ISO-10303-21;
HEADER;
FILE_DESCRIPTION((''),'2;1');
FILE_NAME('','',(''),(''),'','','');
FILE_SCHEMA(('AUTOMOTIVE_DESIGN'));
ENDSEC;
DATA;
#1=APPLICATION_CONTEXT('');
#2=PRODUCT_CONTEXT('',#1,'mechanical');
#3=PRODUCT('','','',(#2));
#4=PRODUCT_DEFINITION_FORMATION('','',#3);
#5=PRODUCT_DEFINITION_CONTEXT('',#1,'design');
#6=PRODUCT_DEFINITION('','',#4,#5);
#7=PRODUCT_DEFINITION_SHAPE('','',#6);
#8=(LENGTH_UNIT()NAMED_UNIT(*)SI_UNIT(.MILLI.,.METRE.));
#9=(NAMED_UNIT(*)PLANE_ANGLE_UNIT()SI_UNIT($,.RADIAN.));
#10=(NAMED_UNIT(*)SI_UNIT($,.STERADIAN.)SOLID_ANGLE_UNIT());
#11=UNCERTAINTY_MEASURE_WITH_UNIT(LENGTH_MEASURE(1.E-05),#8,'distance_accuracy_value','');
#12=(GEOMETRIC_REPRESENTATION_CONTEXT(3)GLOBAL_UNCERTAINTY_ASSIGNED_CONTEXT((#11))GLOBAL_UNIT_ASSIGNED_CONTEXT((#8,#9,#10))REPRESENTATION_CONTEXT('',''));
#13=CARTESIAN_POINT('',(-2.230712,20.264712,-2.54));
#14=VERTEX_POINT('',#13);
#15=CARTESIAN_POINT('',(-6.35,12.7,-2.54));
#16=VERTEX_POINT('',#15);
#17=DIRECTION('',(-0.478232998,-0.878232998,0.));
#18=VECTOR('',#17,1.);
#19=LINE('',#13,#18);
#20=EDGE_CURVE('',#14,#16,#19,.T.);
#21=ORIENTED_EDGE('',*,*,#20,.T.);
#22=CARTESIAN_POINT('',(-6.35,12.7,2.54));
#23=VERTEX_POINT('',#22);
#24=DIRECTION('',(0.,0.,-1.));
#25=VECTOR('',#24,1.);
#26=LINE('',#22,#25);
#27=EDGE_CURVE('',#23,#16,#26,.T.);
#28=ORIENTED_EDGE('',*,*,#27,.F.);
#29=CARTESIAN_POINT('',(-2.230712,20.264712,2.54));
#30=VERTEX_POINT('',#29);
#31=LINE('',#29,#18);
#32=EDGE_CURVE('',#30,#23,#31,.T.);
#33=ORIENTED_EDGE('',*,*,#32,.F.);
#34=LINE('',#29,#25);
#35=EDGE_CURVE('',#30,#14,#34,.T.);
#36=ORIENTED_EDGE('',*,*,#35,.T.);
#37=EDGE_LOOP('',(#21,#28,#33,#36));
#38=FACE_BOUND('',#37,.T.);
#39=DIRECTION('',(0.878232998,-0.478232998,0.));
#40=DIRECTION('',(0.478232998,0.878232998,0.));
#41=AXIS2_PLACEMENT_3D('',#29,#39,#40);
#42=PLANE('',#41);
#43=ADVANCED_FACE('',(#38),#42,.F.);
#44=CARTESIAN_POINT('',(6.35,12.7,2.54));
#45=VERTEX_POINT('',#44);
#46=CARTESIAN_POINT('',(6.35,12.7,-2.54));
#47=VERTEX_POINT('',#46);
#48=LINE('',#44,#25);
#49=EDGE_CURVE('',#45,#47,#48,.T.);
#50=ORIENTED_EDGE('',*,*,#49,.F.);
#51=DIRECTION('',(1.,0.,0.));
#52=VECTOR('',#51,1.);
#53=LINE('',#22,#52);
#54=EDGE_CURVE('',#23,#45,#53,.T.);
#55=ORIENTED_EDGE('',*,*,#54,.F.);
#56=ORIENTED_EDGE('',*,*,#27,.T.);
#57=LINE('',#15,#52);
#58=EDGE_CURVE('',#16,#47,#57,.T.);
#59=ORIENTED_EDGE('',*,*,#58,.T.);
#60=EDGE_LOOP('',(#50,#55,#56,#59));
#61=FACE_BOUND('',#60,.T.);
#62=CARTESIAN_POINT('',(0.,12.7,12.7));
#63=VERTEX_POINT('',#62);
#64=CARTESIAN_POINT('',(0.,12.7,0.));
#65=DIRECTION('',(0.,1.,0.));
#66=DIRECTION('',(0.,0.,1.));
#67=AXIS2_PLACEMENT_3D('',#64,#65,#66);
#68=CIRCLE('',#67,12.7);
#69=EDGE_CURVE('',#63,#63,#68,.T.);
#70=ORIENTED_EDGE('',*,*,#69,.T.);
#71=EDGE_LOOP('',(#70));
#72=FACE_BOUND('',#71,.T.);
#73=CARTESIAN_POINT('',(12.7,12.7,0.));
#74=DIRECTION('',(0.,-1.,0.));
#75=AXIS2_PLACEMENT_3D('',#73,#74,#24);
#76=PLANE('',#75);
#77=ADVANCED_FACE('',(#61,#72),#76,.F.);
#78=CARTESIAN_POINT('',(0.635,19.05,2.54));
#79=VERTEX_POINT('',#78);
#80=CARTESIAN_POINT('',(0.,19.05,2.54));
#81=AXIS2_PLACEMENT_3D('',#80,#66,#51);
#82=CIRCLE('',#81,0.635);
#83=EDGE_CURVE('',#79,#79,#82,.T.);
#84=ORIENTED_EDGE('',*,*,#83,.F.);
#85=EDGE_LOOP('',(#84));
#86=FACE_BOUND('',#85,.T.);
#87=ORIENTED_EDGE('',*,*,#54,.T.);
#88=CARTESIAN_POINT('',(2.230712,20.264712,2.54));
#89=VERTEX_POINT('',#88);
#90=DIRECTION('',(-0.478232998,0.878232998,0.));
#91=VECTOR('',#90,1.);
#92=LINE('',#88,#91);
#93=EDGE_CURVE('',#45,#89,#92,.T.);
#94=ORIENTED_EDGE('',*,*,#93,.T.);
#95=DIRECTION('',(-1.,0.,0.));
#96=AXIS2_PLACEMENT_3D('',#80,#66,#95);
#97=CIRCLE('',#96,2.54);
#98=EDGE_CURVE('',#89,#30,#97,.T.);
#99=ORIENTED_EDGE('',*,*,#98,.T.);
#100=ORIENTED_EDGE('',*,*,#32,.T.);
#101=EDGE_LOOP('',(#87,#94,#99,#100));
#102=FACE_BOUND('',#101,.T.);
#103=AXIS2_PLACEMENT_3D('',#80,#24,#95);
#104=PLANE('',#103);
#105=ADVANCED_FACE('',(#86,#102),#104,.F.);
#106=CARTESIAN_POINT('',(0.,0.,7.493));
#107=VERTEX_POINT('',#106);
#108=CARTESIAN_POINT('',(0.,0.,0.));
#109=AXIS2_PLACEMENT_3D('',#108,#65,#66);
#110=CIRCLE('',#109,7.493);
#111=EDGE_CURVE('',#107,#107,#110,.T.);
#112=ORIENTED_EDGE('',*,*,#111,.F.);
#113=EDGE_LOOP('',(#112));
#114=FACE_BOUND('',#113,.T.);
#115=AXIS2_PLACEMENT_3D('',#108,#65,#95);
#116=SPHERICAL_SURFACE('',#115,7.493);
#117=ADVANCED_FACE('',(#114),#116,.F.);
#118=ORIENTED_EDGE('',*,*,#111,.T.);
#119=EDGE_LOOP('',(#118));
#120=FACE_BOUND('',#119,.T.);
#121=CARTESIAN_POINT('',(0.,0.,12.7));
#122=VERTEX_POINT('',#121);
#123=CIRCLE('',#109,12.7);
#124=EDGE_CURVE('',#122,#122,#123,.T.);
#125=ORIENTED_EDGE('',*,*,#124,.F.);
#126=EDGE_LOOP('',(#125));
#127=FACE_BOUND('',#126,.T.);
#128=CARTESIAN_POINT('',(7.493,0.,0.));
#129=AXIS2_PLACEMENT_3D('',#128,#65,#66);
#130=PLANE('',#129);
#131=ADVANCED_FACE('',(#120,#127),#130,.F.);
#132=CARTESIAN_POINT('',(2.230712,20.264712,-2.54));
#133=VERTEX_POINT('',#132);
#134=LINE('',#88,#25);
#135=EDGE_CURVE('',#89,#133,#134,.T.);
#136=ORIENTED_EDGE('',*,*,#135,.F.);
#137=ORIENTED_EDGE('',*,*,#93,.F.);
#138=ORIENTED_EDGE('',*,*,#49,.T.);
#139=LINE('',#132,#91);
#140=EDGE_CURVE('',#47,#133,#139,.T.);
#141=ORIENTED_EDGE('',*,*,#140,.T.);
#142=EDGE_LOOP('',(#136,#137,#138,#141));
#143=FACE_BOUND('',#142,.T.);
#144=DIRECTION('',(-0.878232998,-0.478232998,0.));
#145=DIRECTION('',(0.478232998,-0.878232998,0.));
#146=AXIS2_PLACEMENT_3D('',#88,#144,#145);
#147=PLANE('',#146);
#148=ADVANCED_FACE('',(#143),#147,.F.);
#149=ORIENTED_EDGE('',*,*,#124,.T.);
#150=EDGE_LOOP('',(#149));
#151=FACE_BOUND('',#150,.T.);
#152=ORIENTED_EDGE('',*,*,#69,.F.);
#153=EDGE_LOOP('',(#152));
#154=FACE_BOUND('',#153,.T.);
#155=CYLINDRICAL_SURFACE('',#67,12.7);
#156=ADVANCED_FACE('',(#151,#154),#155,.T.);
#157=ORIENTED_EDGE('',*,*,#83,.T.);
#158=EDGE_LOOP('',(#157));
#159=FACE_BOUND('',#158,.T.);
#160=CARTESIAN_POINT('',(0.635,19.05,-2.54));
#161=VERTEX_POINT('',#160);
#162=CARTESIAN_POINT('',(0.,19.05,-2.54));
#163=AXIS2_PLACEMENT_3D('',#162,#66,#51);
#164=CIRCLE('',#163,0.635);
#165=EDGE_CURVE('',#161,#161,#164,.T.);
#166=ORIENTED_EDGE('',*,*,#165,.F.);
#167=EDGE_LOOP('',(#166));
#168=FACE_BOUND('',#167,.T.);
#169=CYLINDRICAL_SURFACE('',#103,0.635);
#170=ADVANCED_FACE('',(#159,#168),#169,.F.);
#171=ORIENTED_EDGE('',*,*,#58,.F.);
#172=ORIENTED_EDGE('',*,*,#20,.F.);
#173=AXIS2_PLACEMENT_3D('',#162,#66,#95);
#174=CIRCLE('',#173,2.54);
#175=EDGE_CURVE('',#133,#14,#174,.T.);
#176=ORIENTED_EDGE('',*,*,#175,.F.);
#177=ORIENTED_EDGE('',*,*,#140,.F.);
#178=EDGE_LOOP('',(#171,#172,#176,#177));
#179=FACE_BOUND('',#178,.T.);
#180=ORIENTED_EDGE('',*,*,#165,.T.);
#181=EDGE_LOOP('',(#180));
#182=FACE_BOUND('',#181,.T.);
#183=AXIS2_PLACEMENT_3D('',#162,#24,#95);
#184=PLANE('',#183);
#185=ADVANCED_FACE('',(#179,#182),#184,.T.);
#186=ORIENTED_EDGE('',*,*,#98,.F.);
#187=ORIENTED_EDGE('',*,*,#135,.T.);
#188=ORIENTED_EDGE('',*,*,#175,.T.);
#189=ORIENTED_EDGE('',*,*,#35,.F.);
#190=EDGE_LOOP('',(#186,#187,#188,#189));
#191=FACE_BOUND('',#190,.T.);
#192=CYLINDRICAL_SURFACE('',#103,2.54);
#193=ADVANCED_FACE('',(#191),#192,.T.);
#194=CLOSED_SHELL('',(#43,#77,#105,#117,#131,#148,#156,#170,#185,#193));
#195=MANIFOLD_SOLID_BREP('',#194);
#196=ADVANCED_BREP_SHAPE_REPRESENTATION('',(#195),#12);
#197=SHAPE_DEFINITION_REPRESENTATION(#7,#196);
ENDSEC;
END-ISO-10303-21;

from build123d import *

# Parameters (mm, degrees)
SKETCH2_R           = 0.635
BOSS_EXTRUDE1_DEPTH = 2.54


with BuildPart() as part:
    # Sketch1 → Revolve1 (revolve)
    with BuildSketch(Plane.XY, mode=Mode.PRIVATE) as revolve1_sk:
        with BuildLine():
            Line((7.493, 0), (12.7, 0))
            Line((12.7, 0), (12.7, 12.7))
            Line((12.7, 12.7), (0, 12.7))
            Line((0, 12.7), (0, 7.493))
            ThreePointArc((0, 7.493), (5.298351111, 5.298351111), (7.493, 0))
        make_face()
    revolve(revolve1_sk.sketch.rotate(Axis((0, 12.7, 0), (0, -1, 0)), 180), axis=Axis((0, 12.7, 0), (0, -1, 0)))

    # Sketch2 → Boss-Extrude1 (add, symmetric)
    with BuildSketch(Plane.XY):
        with BuildLine():
            Line((-2.230711816, 20.264711816), (-6.35, 12.7))
            Line((-6.35, 12.7), (6.35, 12.7))
            Line((6.35, 12.7), (2.230711816, 20.264711816))
            ThreePointArc((2.230711816, 20.264711816), (0, 21.59), (-2.230711816, 20.264711816))
        make_face()
        with Locations((0, 19.05)):
            Circle(SKETCH2_R, mode=Mode.SUBTRACT)
    extrude(amount=BOSS_EXTRUDE1_DEPTH, both=True)


solid = part.part
